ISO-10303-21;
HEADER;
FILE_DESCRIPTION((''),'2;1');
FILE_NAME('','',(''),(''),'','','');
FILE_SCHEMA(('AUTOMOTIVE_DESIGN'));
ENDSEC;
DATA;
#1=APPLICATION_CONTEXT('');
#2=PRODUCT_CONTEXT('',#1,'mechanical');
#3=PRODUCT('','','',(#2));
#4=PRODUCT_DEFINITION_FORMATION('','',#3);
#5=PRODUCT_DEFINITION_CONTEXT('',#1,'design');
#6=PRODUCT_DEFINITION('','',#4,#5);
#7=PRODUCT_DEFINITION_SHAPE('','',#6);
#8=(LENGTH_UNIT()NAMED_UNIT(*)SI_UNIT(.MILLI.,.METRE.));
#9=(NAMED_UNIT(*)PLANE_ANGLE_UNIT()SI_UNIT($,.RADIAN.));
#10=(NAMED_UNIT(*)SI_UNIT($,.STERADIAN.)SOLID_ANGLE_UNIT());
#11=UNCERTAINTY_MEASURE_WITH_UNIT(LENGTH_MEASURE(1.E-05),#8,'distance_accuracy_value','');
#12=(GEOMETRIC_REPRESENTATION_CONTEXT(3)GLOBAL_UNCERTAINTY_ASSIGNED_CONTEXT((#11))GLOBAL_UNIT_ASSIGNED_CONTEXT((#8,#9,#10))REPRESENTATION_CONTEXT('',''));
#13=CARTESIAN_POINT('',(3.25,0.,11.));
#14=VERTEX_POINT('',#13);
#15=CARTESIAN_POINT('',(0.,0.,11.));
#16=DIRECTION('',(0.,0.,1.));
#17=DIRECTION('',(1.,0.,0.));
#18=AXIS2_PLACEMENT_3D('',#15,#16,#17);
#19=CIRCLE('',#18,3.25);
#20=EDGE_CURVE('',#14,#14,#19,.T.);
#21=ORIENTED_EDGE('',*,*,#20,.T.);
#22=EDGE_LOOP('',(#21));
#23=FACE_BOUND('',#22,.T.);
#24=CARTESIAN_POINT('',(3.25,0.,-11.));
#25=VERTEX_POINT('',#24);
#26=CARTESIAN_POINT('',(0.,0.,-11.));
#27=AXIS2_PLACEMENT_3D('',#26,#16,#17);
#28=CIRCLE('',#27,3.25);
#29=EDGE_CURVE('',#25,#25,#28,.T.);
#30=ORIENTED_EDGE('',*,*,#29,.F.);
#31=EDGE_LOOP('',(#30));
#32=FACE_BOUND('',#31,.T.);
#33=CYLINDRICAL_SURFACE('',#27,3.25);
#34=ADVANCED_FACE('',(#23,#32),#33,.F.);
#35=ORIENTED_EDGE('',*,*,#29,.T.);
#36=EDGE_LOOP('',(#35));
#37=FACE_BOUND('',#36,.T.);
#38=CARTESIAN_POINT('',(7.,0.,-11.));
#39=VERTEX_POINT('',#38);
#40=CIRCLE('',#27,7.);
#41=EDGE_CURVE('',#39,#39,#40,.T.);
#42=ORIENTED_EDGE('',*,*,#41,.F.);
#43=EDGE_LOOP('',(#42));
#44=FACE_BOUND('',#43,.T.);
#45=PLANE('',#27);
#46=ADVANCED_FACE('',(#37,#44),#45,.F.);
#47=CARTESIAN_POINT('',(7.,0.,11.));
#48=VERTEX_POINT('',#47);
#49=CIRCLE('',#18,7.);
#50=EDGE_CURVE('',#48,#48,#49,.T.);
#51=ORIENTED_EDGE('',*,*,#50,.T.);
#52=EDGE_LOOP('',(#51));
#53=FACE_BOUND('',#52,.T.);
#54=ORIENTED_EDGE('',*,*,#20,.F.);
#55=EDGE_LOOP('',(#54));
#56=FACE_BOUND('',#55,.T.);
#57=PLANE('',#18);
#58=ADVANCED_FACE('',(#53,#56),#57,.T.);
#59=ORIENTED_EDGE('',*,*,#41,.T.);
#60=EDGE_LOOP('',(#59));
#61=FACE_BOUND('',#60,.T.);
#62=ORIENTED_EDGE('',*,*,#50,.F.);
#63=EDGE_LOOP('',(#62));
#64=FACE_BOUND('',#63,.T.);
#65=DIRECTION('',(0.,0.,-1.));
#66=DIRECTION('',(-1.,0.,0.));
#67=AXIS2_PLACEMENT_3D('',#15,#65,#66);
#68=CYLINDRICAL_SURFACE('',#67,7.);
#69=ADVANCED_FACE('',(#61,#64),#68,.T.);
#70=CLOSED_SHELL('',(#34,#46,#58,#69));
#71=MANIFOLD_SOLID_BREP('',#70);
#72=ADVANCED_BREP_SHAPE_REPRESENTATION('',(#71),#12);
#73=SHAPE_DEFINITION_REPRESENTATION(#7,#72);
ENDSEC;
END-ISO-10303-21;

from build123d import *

# Parameters (mm, degrees)
SKETCH1_R               = 7
BOSS_EXTRUDE1_DEPTH     = 11
CUT_EXTRUDE1_DEPTH      = 25.124676164
CUT_EXTRUDE1_DEPTH_BACK = 25.124676164
SKETCH2_R               = 3.25


with BuildPart() as part:
    # Sketch1 → Boss-Extrude1 (new, symmetric)
    with BuildSketch(Plane.XY):
        Circle(SKETCH1_R)
    extrude(amount=BOSS_EXTRUDE1_DEPTH, both=True)

    # Sketch2 → Cut-Extrude1 (cut, two sides: drawn at the far end of the back side and taken through both)
    with BuildSketch(Plane.XY.offset(11).offset(-CUT_EXTRUDE1_DEPTH_BACK)):
        Circle(SKETCH2_R)
    extrude(amount=CUT_EXTRUDE1_DEPTH + CUT_EXTRUDE1_DEPTH_BACK, mode=Mode.SUBTRACT)


solid = part.part
